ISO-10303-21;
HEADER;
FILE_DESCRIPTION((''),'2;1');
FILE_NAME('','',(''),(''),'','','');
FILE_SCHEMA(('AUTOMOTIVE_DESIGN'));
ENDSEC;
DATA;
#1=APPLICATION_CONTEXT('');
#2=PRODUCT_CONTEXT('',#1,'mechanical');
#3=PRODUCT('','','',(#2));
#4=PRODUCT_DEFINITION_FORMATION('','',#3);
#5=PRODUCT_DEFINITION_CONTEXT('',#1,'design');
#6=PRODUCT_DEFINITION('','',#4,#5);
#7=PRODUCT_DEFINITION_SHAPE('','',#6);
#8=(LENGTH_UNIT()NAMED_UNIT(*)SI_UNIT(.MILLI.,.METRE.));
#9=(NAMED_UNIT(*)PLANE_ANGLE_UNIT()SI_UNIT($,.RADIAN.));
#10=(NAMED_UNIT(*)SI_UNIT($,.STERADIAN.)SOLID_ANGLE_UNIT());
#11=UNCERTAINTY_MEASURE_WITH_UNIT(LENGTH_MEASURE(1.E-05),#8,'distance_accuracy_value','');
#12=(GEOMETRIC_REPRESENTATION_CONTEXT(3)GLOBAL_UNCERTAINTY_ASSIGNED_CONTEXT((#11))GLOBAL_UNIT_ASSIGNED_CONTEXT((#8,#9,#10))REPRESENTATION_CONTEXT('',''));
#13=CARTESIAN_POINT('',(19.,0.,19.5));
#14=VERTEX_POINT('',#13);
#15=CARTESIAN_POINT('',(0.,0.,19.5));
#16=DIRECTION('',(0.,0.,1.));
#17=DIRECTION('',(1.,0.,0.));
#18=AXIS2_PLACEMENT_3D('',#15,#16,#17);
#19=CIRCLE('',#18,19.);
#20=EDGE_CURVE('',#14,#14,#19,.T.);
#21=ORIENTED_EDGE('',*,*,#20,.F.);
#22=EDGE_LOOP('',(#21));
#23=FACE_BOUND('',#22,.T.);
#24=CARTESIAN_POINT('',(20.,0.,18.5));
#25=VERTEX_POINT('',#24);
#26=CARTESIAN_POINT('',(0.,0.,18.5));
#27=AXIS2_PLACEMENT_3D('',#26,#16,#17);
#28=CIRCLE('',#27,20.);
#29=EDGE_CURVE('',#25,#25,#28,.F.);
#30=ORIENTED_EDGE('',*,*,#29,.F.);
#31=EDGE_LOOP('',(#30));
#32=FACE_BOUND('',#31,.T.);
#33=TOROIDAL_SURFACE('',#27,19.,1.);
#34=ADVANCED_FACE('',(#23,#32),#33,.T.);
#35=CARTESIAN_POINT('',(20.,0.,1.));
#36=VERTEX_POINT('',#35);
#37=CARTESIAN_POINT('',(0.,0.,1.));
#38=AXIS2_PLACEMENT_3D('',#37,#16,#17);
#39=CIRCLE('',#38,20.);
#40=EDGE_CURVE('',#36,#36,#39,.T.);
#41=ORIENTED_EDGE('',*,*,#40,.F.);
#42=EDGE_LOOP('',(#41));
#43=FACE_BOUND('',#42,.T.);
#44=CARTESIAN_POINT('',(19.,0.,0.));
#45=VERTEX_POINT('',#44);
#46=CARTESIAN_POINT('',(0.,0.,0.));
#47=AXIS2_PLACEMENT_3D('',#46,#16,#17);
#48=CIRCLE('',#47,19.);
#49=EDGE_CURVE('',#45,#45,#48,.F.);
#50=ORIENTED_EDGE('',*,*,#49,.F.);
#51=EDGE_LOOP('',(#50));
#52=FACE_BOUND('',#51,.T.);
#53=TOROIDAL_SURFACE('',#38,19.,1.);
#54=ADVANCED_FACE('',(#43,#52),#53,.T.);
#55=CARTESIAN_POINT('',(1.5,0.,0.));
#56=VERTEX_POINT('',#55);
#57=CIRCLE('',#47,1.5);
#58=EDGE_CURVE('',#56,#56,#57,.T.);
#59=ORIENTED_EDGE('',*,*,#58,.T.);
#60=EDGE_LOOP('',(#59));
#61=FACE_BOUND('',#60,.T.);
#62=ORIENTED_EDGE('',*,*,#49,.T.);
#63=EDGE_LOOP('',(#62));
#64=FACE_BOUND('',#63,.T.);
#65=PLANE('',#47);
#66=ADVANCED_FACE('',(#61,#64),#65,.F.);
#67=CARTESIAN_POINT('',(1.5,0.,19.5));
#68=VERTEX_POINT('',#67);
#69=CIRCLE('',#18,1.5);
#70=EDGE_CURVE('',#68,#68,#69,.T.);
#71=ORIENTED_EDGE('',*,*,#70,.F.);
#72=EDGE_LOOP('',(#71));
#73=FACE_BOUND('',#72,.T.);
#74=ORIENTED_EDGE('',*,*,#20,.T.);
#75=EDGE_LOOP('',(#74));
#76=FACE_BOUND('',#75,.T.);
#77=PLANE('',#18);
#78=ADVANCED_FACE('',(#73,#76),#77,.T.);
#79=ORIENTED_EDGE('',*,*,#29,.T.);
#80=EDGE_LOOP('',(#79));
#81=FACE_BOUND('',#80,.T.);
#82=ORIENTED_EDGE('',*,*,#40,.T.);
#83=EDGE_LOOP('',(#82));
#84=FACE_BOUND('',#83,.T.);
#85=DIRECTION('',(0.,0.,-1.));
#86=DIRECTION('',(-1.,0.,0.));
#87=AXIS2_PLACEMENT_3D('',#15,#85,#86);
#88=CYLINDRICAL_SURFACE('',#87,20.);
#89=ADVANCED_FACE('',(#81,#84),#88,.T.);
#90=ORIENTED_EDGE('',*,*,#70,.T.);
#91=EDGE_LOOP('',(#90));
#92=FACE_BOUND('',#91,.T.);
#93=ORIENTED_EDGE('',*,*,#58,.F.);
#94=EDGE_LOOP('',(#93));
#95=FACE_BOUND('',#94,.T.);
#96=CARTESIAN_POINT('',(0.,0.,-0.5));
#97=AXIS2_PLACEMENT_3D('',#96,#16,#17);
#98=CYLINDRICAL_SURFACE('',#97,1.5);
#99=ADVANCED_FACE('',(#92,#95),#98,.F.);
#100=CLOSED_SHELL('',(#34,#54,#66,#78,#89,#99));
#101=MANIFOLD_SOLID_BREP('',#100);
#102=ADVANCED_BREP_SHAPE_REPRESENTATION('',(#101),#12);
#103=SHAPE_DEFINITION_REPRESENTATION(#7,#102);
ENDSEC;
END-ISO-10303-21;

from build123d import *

# Parameters (mm, degrees)
SKETCH_1_R          = 20
EXTRUDE_1_DEPTH     = 19.5
FILLET_1_R          = 1
SKETCH_2_R          = 1.5
CUT_EXTRUDE_1_DEPTH = 20


with BuildPart() as part:
    # 草图1 → 凸台-拉伸1 (new body)
    with BuildSketch(Plane.XY):
        Circle(SKETCH_1_R)
    extrude(amount=EXTRUDE_1_DEPTH)

    # 圆角1
    fillet_1_edges = [part.edges().sort_by_distance(p)[0] for p in [
        (-20, 0, 0),
        (-20, 0, 19.5),
    ]]
    fillet(fillet_1_edges, radius=FILLET_1_R)

    # 草图2 → 切除-拉伸1 (cut)
    with BuildSketch(Plane.XY.offset(19.5)):
        Circle(SKETCH_2_R)
    extrude(amount=-CUT_EXTRUDE_1_DEPTH, mode=Mode.SUBTRACT)


solid = part.part
